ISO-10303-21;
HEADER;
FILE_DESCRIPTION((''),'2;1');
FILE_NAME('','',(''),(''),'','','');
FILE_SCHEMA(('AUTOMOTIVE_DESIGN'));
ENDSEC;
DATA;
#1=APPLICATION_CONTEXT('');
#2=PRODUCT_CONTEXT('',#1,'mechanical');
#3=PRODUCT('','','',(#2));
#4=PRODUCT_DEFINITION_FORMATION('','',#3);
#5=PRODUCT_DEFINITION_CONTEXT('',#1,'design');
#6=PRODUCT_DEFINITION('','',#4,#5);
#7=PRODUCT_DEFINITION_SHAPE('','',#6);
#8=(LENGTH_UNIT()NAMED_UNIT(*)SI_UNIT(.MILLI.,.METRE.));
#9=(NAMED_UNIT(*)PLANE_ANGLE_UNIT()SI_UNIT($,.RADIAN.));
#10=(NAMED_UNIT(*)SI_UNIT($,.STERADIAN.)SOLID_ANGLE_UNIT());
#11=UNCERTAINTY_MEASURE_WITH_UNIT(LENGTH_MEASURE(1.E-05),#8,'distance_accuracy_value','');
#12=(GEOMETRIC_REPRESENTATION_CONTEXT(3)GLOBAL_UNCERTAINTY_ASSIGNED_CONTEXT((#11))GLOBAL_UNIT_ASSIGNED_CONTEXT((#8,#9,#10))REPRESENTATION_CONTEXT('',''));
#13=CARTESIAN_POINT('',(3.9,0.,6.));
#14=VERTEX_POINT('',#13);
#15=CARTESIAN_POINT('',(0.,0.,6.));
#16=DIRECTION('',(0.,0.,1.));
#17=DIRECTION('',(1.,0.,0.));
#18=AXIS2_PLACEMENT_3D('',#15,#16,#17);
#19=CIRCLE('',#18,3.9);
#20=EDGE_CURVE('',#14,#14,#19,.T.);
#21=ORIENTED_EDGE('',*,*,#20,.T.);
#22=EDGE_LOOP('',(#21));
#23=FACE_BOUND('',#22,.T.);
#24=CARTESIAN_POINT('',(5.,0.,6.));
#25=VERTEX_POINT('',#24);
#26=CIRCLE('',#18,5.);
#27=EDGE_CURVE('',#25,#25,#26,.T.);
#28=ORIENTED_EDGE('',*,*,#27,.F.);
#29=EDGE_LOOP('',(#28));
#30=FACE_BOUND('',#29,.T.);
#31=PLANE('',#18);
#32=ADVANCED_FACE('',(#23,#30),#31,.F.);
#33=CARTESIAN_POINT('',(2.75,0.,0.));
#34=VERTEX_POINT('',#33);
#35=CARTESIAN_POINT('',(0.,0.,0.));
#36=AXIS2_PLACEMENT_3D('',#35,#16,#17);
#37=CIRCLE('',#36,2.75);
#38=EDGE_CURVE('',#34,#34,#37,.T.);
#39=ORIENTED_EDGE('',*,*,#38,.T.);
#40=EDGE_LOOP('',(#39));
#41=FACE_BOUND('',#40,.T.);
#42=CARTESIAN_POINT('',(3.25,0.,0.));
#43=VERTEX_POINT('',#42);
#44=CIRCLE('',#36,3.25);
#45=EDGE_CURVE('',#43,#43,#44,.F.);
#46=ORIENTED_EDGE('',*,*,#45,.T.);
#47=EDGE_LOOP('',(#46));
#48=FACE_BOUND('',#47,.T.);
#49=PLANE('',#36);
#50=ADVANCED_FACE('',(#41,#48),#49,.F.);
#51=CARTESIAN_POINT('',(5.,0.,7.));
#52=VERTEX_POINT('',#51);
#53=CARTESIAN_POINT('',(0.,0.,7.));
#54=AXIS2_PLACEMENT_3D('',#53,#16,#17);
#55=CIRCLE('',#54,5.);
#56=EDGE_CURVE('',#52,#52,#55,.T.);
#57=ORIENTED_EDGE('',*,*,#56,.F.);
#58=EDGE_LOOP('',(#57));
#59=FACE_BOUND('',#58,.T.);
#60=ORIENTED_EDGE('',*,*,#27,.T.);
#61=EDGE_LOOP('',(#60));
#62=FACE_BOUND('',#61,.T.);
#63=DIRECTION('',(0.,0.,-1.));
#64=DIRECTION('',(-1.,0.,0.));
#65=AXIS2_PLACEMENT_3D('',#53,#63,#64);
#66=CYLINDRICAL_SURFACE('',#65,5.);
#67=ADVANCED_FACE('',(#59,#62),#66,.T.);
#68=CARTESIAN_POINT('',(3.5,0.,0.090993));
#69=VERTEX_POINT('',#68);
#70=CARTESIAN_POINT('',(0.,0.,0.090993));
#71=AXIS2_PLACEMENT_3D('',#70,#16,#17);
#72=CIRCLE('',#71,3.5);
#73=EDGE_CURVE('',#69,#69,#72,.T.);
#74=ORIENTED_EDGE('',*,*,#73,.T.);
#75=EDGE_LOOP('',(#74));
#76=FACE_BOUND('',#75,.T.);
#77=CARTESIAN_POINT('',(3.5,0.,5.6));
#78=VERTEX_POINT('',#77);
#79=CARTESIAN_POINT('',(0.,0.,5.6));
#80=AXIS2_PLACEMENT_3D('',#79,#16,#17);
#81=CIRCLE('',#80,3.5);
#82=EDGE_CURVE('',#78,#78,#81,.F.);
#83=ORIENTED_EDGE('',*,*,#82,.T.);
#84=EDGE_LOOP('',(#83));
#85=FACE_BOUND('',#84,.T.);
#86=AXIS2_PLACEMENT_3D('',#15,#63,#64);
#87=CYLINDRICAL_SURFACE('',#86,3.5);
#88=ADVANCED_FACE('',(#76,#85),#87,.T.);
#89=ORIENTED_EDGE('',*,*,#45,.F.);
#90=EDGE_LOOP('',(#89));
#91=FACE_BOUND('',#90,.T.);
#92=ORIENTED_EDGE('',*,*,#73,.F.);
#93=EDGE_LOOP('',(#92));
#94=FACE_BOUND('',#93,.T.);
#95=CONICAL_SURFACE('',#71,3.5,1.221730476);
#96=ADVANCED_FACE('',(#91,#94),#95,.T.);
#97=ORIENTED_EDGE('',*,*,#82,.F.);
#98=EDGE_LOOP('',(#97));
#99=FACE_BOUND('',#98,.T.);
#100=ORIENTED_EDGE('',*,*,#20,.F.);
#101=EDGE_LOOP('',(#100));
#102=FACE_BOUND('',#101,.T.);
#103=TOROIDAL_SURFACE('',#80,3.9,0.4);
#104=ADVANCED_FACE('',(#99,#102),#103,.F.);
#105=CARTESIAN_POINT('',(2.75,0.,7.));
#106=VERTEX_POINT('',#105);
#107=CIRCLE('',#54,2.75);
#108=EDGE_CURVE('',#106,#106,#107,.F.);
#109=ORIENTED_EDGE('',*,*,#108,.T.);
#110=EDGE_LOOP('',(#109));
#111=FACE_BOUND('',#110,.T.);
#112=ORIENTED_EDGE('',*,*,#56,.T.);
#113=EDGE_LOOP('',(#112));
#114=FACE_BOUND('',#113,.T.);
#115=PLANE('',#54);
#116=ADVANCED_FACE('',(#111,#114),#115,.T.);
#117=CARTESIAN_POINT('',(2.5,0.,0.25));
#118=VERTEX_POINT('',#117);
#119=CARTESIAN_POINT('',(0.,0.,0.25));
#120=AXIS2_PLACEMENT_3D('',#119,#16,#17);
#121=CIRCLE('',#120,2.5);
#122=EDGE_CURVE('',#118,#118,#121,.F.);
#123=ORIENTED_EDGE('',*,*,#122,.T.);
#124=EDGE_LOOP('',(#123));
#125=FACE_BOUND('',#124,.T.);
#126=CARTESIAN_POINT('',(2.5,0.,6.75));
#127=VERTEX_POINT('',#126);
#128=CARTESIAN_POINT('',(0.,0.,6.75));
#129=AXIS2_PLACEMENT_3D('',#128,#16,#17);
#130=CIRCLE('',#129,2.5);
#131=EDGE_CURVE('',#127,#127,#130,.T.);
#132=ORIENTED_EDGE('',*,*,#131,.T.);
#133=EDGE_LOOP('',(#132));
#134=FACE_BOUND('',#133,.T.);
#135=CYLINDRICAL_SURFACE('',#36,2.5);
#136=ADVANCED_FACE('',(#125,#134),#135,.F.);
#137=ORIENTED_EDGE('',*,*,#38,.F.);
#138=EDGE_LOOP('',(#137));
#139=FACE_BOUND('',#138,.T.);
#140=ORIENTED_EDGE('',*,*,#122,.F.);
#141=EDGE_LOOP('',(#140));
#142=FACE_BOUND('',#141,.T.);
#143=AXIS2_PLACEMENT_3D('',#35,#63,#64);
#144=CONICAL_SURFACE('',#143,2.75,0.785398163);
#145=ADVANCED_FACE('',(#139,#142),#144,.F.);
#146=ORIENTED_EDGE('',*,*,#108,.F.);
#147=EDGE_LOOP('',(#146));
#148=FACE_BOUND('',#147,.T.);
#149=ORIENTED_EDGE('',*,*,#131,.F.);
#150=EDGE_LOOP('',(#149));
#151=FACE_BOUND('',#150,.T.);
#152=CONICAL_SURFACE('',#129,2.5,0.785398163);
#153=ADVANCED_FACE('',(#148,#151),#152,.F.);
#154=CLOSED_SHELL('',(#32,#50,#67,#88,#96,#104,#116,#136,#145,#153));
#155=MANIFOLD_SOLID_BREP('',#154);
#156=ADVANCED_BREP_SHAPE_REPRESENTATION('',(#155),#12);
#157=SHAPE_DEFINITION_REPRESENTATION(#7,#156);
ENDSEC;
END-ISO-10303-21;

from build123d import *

# Parameters (mm, degrees)
SKETCH_4_R          = 3.5
EXTRUDE_1_DEPTH     = 6
SKETCH_5_R          = 5
EXTRUDE_2_DEPTH     = 1
SKETCH_6_R          = 2.5
CUT_EXTRUDE_1_DEPTH = 8
FILLET_1_R          = 0.4
CHAMFER_1_SIZE      = 0.25
CHAMFER_1_SIZE2     = 0.090992559
CHAMFER_2_SIZE      = 0.25
CHAMFER_3_SIZE      = 0.25


with BuildPart() as part:
    # Эскиз4 → Бобышка-Вытянуть1 (new body)
    with BuildSketch(Plane.XY):
        Circle(SKETCH_4_R)
    extrude(amount=EXTRUDE_1_DEPTH)

    # Эскиз5 → Бобышка-Вытянуть2 (add)
    with BuildSketch(Plane.XY.offset(6)):
        Circle(SKETCH_5_R)
    extrude(amount=EXTRUDE_2_DEPTH)

    # Эскиз6 → Вырез-Вытянуть1 (cut, through all)
    with BuildSketch(Plane.XY.offset(7)):
        Circle(SKETCH_6_R)
    extrude(amount=-CUT_EXTRUDE_1_DEPTH, mode=Mode.SUBTRACT)

    # Скругление1
    fillet_1_edges = [part.edges().sort_by_distance(p)[0] for p in [
        (-3.5, 0, 6),
    ]]
    fillet(fillet_1_edges, radius=FILLET_1_R)

    # Фаска1
    chamfer_1_edges = [part.edges().sort_by_distance(p)[0] for p in [
        (-3.5, 0, 0),
    ]]
    chamfer_1_side = [part.faces().sort_by_distance(p)[0] for p in [
        (-3.401005051, 0, 0),
    ]]
    chamfer(chamfer_1_edges, length=CHAMFER_1_SIZE, length2=CHAMFER_1_SIZE2, reference=chamfer_1_side[0])

    # Фаска2
    chamfer_2_edges = [part.edges().sort_by_distance(p)[0] for p in [
        (-2.5, 0, 0),
    ]]
    chamfer(chamfer_2_edges, length=CHAMFER_2_SIZE)

    # Фаска3
    chamfer_3_edges = [part.edges().sort_by_distance(p)[0] for p in [
        (-2.5, 0, 7),
    ]]
    chamfer(chamfer_3_edges, length=CHAMFER_3_SIZE)


solid = part.part
